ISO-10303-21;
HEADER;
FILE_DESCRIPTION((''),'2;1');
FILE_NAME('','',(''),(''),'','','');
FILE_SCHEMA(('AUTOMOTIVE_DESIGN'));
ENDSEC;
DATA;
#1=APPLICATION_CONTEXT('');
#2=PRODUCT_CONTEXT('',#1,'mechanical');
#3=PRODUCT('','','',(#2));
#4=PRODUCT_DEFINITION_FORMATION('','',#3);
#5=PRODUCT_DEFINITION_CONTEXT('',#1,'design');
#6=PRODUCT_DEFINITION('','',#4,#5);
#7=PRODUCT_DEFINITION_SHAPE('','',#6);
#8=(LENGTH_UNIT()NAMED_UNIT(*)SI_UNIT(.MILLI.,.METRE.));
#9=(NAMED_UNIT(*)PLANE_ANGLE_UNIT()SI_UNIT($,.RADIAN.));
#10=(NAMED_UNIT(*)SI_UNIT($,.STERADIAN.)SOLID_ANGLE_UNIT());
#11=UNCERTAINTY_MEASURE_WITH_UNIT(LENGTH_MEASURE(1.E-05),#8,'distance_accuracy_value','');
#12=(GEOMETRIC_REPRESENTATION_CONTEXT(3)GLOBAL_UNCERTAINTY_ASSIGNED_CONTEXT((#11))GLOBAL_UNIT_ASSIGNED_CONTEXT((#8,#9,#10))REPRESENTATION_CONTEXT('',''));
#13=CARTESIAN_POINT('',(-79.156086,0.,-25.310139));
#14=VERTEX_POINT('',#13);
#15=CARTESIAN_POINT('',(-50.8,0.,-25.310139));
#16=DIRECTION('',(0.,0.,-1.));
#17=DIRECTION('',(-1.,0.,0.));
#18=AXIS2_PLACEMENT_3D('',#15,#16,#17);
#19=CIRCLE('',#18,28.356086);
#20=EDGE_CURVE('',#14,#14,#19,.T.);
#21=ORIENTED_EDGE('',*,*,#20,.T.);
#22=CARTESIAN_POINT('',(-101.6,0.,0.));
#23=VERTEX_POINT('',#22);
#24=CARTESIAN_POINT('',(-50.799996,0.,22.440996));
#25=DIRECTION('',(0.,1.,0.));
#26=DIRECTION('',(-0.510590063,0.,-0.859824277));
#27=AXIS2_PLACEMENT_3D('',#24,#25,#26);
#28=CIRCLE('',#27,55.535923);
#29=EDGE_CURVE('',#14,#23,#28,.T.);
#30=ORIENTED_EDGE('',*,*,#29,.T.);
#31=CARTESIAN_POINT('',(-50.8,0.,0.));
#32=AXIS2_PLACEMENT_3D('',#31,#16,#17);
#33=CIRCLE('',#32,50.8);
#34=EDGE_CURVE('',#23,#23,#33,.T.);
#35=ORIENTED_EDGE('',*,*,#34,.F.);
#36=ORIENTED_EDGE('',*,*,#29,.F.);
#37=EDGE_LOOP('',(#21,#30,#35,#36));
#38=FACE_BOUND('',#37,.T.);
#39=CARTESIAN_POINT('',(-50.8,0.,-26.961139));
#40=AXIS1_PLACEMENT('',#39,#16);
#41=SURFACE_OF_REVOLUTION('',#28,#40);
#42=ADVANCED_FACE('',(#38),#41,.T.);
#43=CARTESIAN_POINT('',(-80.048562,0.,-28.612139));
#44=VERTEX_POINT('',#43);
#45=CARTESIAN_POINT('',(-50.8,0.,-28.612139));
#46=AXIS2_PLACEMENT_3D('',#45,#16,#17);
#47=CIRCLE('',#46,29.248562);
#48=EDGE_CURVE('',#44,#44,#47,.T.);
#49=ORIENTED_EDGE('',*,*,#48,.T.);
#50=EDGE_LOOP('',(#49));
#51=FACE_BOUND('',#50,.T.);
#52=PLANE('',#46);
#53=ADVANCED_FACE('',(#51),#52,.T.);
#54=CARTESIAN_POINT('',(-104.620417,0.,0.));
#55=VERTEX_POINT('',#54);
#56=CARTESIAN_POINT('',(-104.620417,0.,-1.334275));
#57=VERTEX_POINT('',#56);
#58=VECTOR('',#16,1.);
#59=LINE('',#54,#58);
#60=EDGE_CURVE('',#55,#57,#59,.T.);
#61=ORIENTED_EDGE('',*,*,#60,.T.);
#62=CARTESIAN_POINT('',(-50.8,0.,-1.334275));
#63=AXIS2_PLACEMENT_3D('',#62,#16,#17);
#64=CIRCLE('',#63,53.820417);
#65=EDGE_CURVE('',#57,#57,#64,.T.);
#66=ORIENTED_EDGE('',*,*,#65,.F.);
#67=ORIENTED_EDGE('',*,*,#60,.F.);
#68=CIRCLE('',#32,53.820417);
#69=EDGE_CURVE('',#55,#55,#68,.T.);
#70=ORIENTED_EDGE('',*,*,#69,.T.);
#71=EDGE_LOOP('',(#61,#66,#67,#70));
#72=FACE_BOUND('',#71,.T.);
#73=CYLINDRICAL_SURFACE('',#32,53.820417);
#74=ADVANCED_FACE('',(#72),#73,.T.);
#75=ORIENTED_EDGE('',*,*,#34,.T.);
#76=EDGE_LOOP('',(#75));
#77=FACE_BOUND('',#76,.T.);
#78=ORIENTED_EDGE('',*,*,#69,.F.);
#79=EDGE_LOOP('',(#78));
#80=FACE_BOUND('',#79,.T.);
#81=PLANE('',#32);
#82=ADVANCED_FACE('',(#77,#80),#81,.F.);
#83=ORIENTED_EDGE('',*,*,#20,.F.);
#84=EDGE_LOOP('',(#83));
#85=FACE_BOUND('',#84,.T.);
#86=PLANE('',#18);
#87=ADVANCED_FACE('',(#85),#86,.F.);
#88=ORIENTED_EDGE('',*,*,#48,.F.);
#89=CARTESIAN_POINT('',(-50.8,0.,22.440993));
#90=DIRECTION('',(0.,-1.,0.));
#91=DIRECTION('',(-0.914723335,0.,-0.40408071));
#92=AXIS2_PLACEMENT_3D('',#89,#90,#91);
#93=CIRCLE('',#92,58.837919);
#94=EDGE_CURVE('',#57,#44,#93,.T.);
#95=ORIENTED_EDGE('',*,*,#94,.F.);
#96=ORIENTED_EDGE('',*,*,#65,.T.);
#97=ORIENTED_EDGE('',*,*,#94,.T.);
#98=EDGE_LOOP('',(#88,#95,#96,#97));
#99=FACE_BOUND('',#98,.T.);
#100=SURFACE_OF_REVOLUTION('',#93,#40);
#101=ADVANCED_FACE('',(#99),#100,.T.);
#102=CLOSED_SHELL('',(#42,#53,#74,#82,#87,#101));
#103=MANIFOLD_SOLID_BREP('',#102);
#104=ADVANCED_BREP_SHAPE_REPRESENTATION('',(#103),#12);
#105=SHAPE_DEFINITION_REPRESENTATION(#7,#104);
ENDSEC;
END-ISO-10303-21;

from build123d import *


with BuildPart() as f1:
    # F0 (on Front) → F1 (revolve)
    with BuildSketch(Plane.XZ):
        with BuildLine():
            ThreePointArc((-79.156086, -25.310139), (-92.352043, -14.405525), (-101.6, 0))
            Line((-101.6, 0), (-104.620417, 0))
            Line((-104.620417, 0), (-104.620417, -1.334275))
            ThreePointArc((-104.620417, -1.334275), (-94.516522, -16.938778), (-80.048562, -28.612139))
            Line((-80.048562, -28.612139), (-50.8, -28.612139))
            Line((-50.8, -28.612139), (-50.8, -25.310139))
            Line((-50.8, -25.310139), (-79.156086, -25.310139))
        make_face()
    revolve(axis=Axis((-50.8, 0, -26.961139), (0, 0, -1)))


solid = f1.part
